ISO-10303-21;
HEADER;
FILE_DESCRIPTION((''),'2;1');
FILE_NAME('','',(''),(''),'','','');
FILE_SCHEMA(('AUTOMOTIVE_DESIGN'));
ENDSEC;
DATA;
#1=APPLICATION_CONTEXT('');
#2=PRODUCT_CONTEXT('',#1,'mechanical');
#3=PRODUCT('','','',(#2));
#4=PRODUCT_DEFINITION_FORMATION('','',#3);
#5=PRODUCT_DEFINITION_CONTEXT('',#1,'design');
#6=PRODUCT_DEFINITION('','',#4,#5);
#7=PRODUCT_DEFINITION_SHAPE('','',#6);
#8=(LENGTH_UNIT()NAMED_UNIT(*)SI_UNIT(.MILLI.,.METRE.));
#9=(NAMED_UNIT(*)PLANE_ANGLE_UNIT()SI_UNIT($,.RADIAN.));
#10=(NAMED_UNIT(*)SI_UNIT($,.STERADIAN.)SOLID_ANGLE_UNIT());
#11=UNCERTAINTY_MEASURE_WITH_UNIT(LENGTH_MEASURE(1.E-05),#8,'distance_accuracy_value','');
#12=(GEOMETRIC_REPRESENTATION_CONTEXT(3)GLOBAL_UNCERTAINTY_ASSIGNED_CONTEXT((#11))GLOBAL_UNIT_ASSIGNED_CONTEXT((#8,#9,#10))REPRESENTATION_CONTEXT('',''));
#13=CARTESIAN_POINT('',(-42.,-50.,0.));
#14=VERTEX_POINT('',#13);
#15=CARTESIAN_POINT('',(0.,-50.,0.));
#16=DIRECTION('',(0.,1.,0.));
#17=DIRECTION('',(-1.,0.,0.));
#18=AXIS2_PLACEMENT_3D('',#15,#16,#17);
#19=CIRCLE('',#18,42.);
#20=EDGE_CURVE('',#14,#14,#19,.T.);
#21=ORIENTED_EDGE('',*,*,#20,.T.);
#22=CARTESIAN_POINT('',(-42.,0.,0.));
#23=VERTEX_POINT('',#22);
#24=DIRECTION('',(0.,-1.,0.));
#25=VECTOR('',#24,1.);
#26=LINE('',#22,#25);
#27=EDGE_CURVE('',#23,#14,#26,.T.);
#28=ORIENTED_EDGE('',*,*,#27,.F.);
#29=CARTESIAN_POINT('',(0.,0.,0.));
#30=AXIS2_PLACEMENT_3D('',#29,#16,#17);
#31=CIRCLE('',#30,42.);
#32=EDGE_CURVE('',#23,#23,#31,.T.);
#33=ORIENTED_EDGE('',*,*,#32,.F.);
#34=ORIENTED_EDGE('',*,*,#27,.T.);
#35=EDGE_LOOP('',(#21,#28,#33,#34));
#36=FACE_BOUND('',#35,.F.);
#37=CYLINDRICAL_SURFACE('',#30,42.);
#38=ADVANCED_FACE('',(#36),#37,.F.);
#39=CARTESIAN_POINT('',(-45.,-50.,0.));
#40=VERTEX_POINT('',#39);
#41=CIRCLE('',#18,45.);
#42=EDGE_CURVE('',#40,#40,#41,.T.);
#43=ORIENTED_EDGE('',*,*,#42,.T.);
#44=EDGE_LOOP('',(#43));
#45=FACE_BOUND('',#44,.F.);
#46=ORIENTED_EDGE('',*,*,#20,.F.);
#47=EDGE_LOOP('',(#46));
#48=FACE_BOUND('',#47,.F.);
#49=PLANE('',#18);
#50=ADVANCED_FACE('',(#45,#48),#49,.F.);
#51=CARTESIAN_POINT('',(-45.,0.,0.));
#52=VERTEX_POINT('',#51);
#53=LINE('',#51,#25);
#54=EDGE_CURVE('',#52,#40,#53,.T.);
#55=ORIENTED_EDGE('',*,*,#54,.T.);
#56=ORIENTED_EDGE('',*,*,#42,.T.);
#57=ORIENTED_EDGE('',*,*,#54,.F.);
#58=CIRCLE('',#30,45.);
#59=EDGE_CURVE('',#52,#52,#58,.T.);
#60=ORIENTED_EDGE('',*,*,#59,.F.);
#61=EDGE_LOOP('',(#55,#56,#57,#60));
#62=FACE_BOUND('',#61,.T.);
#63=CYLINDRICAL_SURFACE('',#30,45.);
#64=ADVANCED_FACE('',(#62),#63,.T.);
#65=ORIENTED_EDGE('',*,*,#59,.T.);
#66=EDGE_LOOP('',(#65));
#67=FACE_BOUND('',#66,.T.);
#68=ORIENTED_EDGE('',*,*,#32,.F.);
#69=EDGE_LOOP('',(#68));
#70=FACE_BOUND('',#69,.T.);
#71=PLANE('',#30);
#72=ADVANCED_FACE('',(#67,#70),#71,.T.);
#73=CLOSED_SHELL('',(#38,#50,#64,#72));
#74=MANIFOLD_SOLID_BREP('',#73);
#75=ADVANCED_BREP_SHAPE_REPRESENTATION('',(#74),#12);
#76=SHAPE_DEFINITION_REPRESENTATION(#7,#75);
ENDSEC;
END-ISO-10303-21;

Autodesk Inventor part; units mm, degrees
ref_plane "YZ Plane" through (0, 0, 0) normal (1, 0, 0) x (0, 1, 0)
ref_plane "XZ Plane" through (0, 0, 0) normal (0, 1, 0) x (-1, 0, 0)
ref_plane "XY Plane" through (0, 0, 0) normal (0, 0, 1) x (1, 0, 0)
sketch "Sketch1" plane through (0, 0, 0) normal (0, 1, 0) x (-1, 0, 0)
  circle A0 centre (0, 0) radius 45
  circle A1 centre (0, 0) radius 42
  dimension "d0" = 90
  dimension "d1" = 3
extrude "Extrusion1" add sketch "Sketch1" against normal blind 50
properties part number "PNS- 727 hatch tube" material "Steel"
